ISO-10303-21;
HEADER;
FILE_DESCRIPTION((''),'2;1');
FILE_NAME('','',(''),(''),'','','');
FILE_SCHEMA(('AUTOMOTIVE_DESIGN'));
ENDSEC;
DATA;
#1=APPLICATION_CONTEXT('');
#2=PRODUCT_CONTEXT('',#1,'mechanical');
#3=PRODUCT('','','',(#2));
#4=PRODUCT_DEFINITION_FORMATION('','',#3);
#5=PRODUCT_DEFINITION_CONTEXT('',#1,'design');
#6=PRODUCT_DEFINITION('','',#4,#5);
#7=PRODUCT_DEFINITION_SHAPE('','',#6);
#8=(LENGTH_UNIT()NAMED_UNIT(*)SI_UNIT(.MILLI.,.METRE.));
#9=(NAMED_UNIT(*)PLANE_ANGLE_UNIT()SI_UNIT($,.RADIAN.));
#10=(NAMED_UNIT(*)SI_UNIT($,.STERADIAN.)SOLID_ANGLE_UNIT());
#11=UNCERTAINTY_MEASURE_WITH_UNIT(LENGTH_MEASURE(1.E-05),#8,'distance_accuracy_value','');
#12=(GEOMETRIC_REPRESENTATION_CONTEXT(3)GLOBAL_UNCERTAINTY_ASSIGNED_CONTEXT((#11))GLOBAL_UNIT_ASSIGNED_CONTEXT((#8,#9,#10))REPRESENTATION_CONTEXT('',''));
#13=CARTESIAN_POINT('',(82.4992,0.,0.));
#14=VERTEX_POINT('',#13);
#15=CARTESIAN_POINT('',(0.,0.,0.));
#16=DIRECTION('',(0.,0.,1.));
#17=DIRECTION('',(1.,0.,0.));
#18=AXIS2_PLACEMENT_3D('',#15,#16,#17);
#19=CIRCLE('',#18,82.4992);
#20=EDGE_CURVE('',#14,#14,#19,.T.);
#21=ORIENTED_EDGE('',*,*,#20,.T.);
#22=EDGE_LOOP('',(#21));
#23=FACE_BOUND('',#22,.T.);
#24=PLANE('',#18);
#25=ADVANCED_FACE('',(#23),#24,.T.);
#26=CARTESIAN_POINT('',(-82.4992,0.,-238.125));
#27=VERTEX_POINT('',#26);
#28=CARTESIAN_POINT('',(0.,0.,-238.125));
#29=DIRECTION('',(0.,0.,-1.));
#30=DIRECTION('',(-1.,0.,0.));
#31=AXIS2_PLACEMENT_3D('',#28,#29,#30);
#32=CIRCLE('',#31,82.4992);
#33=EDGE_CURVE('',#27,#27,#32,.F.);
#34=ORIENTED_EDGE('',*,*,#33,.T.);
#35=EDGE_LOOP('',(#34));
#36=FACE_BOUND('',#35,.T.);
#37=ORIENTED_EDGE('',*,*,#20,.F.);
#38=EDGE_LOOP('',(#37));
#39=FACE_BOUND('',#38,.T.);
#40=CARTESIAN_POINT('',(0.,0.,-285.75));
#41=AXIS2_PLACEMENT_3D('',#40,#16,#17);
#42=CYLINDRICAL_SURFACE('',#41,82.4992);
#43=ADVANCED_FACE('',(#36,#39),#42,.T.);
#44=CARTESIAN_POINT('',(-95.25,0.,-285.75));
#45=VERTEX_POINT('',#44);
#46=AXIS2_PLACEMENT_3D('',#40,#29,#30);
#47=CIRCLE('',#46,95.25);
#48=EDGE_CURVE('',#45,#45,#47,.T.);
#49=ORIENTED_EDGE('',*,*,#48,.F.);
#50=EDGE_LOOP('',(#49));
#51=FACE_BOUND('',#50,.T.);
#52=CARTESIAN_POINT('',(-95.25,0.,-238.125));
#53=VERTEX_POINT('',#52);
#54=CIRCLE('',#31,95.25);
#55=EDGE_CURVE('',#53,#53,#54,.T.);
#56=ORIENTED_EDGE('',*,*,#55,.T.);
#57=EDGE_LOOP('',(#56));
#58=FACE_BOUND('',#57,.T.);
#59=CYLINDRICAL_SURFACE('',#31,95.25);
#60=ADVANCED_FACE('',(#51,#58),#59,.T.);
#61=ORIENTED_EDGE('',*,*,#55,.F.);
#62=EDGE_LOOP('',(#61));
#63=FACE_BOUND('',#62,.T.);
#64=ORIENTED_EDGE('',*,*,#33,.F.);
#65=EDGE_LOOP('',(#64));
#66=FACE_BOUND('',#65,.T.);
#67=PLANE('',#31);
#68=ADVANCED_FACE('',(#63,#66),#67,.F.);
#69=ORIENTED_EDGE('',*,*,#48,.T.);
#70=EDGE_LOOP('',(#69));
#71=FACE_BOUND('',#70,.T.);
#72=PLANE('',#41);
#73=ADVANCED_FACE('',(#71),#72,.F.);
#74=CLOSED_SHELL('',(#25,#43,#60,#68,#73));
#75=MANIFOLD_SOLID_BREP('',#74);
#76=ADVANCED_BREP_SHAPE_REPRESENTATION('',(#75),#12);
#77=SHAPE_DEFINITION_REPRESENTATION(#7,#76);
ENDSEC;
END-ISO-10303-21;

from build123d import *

# Parameters (mm, degrees)
SKETCH1_R           = 82.4992
BOSS_EXTRUDE1_DEPTH = 285.75
SKETCH2_R           = 95.25
BOSS_EXTRUDE2_DEPTH = 47.625


with BuildPart() as part:
    # Sketch1 → Boss-Extrude1 (new body)
    with BuildSketch(Plane.XY):
        Circle(SKETCH1_R)
    extrude(amount=-BOSS_EXTRUDE1_DEPTH)

    # Sketch2 → Boss-Extrude2 (add)
    with BuildSketch(Plane(origin=(0, 0, -285.75), x_dir=(-1, 0, 0), z_dir=(0, 0, -1))):
        Circle(SKETCH2_R)
    extrude(amount=-BOSS_EXTRUDE2_DEPTH)


solid = part.part
